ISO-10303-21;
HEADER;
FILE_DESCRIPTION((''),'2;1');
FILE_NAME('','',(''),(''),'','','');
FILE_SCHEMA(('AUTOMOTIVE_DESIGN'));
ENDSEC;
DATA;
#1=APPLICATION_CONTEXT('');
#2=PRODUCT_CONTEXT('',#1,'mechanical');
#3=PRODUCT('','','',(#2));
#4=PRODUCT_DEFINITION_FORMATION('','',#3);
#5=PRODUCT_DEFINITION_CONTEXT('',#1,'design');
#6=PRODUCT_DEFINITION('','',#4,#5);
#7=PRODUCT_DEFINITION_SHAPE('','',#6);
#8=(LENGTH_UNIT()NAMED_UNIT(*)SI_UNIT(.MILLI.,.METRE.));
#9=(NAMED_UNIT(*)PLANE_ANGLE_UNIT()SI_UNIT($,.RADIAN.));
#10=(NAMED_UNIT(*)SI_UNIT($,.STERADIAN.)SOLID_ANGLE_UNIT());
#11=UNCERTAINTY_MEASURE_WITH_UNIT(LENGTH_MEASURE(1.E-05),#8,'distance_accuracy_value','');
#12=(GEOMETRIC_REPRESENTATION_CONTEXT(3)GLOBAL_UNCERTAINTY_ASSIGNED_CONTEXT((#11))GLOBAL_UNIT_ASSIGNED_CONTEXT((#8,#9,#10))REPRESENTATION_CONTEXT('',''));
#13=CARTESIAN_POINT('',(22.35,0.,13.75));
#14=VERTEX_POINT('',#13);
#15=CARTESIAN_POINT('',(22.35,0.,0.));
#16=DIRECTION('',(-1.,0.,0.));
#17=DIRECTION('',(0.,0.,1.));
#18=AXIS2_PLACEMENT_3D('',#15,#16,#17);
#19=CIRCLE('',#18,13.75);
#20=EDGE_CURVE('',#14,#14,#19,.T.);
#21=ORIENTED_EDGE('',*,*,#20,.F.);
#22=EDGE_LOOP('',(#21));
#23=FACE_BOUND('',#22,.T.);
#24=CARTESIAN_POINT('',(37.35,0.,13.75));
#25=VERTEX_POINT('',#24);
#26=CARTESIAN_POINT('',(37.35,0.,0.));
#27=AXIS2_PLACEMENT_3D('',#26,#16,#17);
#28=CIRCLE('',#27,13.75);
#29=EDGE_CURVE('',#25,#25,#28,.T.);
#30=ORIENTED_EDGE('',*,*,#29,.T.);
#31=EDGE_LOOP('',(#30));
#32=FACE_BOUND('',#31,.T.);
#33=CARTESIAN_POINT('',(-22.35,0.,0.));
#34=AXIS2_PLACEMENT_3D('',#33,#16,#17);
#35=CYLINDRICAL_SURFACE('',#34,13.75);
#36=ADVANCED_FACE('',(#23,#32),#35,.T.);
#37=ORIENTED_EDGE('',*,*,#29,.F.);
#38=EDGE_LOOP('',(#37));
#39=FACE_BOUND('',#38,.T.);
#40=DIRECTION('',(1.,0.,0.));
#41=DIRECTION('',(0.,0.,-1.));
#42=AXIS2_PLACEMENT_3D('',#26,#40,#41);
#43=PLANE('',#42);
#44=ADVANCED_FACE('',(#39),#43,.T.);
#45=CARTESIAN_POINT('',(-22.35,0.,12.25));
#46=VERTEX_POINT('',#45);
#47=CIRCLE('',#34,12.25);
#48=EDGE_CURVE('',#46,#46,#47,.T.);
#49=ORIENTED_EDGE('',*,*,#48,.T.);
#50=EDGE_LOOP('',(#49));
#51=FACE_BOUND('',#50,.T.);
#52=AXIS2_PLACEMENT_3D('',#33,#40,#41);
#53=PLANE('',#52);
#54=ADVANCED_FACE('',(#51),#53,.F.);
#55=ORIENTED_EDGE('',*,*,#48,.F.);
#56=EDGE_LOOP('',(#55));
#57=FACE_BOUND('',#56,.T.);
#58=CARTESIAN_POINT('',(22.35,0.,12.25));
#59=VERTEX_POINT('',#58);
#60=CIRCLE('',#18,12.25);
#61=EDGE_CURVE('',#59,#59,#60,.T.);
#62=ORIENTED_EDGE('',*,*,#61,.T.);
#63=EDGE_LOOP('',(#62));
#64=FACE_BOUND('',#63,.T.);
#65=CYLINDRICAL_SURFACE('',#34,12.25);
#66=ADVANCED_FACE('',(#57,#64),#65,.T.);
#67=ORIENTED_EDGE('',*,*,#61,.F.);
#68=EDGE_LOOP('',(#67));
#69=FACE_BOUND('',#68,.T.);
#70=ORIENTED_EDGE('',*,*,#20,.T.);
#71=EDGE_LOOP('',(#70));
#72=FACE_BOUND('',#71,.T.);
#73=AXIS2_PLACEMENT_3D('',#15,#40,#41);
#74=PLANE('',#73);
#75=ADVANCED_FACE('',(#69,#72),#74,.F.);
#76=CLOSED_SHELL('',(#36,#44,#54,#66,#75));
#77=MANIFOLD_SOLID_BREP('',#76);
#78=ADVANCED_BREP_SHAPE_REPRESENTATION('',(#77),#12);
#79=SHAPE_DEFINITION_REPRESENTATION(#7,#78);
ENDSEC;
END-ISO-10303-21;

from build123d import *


with BuildPart() as part:
    # Sketch1 → Revolve1 (revolve)
    with BuildSketch(Plane.XY, mode=Mode.PRIVATE) as revolve1_sk:
        Polygon((-22.35, 12.25), (-22.35, 0), (37.35, 0), (37.35, 13.75), (22.35, 13.75), (22.35, 12.25), align=None)
    revolve(revolve1_sk.sketch.rotate(Axis((-22.35, 0, 0), (1, 0, 0)), 90), axis=Axis((-22.35, 0, 0), (1, 0, 0)))


solid = part.part
